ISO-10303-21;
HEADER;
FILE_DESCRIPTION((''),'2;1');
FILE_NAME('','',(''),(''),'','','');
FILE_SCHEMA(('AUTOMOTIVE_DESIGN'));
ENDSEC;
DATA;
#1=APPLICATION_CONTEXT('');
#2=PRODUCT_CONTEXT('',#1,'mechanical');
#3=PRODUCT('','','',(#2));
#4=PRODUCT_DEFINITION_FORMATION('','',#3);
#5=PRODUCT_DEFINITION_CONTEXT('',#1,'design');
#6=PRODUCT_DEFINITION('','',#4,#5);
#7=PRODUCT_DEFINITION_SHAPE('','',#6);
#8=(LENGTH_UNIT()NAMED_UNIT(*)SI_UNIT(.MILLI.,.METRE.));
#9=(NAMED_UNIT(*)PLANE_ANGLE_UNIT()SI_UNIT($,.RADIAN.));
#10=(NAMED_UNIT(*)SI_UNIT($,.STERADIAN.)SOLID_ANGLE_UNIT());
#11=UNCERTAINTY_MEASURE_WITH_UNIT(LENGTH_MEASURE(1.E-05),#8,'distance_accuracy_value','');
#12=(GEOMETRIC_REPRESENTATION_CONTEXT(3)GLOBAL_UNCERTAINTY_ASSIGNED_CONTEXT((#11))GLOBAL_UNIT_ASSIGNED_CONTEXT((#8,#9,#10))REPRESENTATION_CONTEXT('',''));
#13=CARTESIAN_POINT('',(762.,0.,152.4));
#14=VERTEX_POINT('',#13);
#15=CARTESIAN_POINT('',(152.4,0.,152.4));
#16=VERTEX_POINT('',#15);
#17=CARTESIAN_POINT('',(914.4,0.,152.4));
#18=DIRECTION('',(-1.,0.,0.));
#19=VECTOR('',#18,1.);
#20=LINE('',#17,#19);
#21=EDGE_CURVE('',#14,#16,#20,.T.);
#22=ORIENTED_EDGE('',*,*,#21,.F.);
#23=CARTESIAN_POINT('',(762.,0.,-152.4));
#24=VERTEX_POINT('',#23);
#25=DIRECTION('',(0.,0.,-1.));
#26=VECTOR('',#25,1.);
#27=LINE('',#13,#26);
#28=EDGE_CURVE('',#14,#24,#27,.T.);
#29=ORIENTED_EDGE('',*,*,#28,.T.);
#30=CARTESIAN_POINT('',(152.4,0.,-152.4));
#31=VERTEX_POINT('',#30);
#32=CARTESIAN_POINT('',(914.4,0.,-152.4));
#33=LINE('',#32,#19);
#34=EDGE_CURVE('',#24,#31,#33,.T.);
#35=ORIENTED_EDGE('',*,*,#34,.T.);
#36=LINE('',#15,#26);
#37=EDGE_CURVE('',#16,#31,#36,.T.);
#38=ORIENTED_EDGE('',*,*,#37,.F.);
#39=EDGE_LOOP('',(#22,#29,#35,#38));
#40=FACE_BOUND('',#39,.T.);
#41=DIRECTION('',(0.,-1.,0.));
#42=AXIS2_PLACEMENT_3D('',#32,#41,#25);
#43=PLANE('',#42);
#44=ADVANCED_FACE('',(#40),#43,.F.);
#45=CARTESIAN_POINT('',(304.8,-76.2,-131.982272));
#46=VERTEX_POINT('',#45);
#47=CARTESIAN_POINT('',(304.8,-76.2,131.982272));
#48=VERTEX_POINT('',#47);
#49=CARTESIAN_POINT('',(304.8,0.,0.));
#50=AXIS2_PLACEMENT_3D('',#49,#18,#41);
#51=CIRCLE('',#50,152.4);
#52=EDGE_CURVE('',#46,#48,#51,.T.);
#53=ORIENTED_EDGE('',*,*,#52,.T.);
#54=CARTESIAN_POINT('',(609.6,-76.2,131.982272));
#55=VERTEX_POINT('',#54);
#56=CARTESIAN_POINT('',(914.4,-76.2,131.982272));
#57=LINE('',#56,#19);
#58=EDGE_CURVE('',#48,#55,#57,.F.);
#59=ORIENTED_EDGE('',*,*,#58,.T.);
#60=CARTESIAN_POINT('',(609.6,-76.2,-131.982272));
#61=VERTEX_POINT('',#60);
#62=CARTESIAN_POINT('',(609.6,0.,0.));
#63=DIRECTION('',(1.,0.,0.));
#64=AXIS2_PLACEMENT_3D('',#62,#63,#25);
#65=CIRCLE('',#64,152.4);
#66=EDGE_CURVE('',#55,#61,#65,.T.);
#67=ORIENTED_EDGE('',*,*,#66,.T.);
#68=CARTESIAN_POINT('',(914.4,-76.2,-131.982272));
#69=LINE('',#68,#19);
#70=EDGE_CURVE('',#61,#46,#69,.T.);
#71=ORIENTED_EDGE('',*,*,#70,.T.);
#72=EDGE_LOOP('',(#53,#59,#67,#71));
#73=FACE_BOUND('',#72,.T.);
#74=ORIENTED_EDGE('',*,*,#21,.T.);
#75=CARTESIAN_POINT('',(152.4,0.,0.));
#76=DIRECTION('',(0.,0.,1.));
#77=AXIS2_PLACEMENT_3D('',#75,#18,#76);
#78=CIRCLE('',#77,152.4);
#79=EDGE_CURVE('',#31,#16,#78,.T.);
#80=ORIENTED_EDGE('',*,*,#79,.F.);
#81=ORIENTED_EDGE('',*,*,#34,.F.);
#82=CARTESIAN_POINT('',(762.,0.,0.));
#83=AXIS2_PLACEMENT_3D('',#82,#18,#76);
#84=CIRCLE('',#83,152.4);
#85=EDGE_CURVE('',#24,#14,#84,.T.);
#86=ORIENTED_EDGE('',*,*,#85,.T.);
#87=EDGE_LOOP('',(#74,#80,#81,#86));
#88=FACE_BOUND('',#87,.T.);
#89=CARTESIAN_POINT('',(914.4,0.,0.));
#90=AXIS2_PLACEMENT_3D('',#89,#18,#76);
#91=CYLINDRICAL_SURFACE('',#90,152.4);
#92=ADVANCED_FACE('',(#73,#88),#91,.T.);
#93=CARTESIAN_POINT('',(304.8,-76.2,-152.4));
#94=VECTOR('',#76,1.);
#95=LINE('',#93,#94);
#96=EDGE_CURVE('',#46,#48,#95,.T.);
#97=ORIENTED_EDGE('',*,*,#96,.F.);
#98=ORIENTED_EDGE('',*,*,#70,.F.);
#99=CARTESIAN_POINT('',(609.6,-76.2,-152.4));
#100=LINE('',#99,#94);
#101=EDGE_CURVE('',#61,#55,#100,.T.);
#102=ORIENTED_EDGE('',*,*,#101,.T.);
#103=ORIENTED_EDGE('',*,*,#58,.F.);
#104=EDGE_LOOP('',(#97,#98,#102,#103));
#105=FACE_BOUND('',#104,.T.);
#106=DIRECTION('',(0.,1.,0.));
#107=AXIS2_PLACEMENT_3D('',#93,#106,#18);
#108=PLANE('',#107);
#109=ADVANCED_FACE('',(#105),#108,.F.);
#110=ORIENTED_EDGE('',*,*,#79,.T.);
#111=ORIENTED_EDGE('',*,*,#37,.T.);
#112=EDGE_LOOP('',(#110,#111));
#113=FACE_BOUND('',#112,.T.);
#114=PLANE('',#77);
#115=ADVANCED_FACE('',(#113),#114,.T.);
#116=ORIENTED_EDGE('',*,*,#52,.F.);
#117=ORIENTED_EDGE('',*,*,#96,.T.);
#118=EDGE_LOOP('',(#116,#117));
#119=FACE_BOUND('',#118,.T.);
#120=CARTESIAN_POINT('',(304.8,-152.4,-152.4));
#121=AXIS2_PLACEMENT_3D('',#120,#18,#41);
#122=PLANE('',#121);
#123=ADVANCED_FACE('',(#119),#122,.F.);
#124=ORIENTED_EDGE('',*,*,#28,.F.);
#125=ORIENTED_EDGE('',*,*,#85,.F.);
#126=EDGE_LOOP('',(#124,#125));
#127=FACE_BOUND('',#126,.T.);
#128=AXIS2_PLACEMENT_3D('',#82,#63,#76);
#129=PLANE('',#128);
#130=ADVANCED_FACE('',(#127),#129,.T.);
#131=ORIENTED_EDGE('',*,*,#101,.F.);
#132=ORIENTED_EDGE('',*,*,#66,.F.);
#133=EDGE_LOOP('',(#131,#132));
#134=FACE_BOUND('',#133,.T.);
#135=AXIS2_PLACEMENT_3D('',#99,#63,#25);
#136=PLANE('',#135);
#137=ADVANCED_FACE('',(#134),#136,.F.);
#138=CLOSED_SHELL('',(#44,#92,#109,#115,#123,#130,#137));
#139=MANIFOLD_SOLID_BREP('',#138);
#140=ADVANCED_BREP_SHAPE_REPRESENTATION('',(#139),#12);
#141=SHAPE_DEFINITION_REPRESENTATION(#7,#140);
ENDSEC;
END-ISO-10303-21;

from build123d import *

# Parameters (mm, degrees)
BASE_DEPTH      = 914.4
SLOT_DEPTH      = 940.456694052
SLOT_DEPTH_BACK = 940.456694052
SKETCH2_W       = 304.8
SKETCH2_H       = 76.2
LEFT_CUT_DEPTH  = 152.4


with BuildPart() as part:
    # Sketch1 → Base (new body)
    with BuildSketch(Plane(origin=(0, 0, 0), x_dir=(0, 0, -1), z_dir=(1, 0, 0))):
        with BuildLine():
            Line((152.4, 0), (-152.4, 0))
            ThreePointArc((-152.4, 0), (0, -152.4), (152.4, 0))
        make_face()
    extrude(amount=BASE_DEPTH)

    # Sketch2 → Slot (cut, two sides: drawn at the far end of the back side and taken through both)
    with BuildSketch(Plane.XY.offset(-SLOT_DEPTH_BACK)):
        with Locations((457.2, -114.3)):
            Rectangle(SKETCH2_W, SKETCH2_H)
    extrude(amount=SLOT_DEPTH + SLOT_DEPTH_BACK, mode=Mode.SUBTRACT)

    # Sketch3 → Left Cut (cut)
    with BuildSketch(Plane.ZY):
        with BuildLine():
            Line((152.4, 0), (-152.4, 0))
            ThreePointArc((-152.4, 0), (0, -152.4), (152.4, 0))
        make_face()
    left_cut = extrude(amount=-LEFT_CUT_DEPTH, mode=Mode.SUBTRACT)

    # Right Cut: Left Cut across plane
    add(left_cut.mirror(Plane(origin=(457.2, 0, 0), x_dir=(0, 0, 1), z_dir=(1, 0, 0))), mode=Mode.SUBTRACT)


solid = part.part
